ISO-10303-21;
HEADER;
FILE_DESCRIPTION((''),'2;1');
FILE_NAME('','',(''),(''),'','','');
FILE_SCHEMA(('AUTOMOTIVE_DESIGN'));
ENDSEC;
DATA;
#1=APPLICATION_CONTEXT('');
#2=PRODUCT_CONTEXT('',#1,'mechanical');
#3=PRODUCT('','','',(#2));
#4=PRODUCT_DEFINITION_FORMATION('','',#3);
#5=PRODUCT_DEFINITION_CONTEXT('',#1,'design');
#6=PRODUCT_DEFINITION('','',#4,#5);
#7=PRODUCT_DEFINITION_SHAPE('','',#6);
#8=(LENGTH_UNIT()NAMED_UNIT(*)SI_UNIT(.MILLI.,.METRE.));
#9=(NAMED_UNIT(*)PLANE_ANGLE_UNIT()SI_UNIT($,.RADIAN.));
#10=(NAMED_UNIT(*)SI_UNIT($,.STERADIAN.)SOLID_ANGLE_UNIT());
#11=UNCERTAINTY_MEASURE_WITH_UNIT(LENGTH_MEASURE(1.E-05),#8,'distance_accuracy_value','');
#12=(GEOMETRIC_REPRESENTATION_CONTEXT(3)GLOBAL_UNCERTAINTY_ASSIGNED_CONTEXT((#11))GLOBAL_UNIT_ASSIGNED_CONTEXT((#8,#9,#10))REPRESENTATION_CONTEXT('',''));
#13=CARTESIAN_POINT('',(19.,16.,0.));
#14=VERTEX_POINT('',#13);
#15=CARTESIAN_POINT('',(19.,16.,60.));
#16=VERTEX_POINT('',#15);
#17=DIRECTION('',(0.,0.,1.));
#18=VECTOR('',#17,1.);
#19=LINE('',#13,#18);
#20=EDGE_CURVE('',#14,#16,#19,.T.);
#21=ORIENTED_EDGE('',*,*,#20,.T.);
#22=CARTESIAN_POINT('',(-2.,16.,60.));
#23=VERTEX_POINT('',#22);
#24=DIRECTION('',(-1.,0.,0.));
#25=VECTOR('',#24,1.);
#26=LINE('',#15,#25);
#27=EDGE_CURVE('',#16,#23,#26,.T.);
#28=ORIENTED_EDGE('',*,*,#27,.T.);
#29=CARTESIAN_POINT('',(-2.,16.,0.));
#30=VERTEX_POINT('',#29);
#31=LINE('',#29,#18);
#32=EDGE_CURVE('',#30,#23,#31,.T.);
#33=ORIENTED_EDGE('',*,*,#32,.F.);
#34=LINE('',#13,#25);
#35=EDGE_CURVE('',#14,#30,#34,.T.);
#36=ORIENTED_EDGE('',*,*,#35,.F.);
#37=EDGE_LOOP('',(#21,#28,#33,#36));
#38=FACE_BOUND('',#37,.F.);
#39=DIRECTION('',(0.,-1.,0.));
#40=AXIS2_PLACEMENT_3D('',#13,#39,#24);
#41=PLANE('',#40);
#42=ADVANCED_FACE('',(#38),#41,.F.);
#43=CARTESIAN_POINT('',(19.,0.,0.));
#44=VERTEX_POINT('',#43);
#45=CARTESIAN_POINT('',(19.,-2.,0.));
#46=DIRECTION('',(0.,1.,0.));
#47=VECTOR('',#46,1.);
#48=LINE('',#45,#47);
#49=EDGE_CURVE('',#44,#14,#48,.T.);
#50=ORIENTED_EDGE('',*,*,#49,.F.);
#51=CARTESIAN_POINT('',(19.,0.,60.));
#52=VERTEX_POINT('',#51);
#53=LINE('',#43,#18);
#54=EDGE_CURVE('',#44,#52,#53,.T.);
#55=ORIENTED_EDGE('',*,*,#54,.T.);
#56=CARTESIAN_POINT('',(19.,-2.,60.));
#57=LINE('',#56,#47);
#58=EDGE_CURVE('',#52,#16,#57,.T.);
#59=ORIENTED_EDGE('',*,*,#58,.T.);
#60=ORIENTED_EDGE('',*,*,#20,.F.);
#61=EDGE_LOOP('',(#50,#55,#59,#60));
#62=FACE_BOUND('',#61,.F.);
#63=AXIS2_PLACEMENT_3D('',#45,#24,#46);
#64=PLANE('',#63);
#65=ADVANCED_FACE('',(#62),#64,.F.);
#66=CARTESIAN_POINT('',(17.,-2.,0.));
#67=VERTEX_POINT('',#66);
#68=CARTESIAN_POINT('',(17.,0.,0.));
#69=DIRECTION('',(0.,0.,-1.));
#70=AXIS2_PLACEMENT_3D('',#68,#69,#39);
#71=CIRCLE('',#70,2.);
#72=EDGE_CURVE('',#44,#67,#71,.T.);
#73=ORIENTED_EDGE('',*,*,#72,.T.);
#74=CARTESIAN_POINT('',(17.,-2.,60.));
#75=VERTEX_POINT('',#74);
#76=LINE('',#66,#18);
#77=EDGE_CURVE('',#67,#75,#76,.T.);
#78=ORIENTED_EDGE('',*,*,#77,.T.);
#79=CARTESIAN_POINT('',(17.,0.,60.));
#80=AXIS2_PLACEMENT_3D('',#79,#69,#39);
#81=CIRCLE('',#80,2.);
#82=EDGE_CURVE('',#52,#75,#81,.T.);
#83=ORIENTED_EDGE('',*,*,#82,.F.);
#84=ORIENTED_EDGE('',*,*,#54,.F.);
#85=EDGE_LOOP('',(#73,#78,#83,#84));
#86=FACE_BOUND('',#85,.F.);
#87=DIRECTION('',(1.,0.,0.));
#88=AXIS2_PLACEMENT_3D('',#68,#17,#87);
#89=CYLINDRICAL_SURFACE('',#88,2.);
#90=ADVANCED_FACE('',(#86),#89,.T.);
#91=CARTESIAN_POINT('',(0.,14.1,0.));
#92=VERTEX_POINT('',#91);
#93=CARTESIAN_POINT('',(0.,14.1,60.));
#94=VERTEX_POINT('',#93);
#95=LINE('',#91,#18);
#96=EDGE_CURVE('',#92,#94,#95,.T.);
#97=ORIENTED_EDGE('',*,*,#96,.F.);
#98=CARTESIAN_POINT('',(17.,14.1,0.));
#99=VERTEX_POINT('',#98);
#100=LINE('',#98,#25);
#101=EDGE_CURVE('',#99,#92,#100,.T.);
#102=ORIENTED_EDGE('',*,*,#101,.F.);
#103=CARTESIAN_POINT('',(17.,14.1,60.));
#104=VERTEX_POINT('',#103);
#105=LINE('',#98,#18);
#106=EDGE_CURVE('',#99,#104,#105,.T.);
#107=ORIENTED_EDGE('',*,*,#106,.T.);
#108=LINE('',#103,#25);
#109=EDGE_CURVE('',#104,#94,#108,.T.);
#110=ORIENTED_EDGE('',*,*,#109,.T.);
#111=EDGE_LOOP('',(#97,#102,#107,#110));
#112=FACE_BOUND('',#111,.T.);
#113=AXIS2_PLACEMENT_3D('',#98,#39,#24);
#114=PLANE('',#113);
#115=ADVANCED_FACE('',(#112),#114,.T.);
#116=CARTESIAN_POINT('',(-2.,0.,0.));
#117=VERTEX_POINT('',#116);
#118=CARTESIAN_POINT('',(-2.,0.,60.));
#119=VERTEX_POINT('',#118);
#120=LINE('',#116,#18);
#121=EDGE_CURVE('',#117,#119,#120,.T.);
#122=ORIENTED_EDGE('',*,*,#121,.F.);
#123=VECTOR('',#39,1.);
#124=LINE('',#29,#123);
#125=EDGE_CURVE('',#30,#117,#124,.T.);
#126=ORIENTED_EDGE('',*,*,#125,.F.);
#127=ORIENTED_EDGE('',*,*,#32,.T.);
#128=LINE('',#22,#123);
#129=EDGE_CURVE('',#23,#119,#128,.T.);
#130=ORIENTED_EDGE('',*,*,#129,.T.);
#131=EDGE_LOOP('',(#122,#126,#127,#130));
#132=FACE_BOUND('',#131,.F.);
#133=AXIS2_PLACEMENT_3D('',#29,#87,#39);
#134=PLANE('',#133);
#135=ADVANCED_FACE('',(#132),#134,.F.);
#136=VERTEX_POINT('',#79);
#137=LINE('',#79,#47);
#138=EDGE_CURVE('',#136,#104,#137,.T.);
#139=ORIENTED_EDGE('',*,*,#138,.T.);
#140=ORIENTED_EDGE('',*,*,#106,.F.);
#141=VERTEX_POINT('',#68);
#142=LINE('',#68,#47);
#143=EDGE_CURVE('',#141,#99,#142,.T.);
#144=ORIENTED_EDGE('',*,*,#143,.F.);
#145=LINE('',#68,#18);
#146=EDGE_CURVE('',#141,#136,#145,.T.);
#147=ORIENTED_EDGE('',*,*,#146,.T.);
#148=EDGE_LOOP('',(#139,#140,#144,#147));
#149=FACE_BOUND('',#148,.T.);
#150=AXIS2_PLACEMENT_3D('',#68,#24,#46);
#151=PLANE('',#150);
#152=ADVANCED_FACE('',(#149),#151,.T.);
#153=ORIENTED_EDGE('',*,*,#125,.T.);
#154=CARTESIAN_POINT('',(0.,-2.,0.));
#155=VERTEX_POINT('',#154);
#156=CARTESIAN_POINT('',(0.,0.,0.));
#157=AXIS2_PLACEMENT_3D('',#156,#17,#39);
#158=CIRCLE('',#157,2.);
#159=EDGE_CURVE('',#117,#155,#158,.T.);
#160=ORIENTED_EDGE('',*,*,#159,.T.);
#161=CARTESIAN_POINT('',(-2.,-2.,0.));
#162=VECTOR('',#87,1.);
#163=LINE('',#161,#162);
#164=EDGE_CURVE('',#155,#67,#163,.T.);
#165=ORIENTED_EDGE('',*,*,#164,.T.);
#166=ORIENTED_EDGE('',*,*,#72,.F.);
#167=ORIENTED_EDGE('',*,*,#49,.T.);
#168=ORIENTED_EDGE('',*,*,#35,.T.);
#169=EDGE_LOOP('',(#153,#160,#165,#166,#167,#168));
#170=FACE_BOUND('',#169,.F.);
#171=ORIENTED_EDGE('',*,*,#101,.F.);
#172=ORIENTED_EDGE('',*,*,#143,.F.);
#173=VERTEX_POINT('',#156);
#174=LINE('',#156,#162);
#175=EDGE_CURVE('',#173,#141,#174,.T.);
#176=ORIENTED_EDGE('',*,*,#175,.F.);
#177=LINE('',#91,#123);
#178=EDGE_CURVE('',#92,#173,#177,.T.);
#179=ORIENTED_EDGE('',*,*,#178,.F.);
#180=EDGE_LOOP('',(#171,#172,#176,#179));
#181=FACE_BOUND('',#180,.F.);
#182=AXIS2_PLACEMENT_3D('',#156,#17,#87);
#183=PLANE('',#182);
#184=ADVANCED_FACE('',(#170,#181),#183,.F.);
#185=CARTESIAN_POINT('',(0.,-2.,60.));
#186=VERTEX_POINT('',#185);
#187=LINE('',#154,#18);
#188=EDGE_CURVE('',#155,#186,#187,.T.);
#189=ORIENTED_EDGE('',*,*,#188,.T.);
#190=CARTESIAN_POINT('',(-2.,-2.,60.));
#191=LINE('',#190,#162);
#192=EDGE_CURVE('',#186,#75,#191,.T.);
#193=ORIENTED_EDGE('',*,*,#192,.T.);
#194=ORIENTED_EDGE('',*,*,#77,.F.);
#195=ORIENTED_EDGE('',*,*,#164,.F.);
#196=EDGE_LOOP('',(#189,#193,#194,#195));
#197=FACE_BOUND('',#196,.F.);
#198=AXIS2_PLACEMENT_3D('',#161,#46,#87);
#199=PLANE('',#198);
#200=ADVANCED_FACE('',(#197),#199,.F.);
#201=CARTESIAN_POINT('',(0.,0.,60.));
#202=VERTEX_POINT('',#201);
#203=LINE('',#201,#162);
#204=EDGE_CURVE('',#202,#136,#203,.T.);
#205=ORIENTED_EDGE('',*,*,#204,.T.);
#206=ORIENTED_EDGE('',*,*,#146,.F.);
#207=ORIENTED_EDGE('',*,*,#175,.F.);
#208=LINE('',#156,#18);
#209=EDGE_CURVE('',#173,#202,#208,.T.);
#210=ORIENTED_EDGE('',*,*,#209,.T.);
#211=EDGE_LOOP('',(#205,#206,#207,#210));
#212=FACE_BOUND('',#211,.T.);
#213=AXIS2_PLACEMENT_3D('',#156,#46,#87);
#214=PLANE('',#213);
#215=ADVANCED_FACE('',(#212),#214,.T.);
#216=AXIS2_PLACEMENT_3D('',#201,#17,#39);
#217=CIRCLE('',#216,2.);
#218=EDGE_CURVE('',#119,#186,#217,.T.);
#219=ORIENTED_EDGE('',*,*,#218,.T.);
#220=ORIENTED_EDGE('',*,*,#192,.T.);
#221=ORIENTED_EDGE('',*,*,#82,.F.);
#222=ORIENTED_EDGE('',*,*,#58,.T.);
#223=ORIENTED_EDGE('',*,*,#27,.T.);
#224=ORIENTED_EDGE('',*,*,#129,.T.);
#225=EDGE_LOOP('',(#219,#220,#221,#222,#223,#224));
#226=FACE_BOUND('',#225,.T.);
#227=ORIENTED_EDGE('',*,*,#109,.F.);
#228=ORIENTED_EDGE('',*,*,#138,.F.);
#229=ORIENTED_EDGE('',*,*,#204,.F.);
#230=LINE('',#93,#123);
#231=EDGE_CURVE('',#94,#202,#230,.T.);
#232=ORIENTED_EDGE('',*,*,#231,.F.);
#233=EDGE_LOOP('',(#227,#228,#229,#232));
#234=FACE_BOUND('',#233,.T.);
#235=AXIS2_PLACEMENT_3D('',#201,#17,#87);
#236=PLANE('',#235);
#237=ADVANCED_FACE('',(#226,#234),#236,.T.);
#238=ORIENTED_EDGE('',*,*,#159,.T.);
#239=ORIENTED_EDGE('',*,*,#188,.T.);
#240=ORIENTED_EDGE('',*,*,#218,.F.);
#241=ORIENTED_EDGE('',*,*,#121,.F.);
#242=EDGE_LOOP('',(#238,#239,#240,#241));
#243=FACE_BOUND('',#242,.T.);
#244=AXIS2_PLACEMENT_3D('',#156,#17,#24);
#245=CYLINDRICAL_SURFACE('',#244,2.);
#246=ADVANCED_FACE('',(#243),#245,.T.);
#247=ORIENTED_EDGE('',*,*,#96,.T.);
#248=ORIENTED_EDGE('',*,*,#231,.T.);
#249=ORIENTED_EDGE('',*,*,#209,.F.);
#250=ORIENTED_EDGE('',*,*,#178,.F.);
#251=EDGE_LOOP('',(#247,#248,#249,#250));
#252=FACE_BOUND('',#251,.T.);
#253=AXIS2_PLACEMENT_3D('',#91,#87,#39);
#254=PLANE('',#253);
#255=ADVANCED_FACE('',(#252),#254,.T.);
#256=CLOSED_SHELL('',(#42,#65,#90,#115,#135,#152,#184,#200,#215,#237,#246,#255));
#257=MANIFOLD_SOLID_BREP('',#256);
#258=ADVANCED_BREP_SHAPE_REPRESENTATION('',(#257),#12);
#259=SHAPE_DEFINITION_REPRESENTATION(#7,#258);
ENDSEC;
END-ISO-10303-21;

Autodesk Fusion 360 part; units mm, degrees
sketch "Sketch1" plane through (0, 0, 0) normal (0, 0, 1) x (1, 0, 0)
  line L0 (0, 0) -> (17, 0)
  line L1 (17, 0) -> (17, 14.1)
  line L2 (17, 14.1) -> (0, 14.1)
  line L3 (0, 14.1) -> (0, 0)
  line L4 (-2, -2) -> (19, -2)
  line L5 (19, -2) -> (19, 16)
  line L6 (19, 16) -> (-2, 16)
  line L7 (-2, 16) -> (-2, -2)
  dimension "d1" = 17
  dimension "d2" = 14.1
extrude "Extrude1" add sketch "Sketch1" along normal blind 60
fillet "Fillet1" radius 2 2 edges at (-2, -2, 30) (19, -2, 30)
